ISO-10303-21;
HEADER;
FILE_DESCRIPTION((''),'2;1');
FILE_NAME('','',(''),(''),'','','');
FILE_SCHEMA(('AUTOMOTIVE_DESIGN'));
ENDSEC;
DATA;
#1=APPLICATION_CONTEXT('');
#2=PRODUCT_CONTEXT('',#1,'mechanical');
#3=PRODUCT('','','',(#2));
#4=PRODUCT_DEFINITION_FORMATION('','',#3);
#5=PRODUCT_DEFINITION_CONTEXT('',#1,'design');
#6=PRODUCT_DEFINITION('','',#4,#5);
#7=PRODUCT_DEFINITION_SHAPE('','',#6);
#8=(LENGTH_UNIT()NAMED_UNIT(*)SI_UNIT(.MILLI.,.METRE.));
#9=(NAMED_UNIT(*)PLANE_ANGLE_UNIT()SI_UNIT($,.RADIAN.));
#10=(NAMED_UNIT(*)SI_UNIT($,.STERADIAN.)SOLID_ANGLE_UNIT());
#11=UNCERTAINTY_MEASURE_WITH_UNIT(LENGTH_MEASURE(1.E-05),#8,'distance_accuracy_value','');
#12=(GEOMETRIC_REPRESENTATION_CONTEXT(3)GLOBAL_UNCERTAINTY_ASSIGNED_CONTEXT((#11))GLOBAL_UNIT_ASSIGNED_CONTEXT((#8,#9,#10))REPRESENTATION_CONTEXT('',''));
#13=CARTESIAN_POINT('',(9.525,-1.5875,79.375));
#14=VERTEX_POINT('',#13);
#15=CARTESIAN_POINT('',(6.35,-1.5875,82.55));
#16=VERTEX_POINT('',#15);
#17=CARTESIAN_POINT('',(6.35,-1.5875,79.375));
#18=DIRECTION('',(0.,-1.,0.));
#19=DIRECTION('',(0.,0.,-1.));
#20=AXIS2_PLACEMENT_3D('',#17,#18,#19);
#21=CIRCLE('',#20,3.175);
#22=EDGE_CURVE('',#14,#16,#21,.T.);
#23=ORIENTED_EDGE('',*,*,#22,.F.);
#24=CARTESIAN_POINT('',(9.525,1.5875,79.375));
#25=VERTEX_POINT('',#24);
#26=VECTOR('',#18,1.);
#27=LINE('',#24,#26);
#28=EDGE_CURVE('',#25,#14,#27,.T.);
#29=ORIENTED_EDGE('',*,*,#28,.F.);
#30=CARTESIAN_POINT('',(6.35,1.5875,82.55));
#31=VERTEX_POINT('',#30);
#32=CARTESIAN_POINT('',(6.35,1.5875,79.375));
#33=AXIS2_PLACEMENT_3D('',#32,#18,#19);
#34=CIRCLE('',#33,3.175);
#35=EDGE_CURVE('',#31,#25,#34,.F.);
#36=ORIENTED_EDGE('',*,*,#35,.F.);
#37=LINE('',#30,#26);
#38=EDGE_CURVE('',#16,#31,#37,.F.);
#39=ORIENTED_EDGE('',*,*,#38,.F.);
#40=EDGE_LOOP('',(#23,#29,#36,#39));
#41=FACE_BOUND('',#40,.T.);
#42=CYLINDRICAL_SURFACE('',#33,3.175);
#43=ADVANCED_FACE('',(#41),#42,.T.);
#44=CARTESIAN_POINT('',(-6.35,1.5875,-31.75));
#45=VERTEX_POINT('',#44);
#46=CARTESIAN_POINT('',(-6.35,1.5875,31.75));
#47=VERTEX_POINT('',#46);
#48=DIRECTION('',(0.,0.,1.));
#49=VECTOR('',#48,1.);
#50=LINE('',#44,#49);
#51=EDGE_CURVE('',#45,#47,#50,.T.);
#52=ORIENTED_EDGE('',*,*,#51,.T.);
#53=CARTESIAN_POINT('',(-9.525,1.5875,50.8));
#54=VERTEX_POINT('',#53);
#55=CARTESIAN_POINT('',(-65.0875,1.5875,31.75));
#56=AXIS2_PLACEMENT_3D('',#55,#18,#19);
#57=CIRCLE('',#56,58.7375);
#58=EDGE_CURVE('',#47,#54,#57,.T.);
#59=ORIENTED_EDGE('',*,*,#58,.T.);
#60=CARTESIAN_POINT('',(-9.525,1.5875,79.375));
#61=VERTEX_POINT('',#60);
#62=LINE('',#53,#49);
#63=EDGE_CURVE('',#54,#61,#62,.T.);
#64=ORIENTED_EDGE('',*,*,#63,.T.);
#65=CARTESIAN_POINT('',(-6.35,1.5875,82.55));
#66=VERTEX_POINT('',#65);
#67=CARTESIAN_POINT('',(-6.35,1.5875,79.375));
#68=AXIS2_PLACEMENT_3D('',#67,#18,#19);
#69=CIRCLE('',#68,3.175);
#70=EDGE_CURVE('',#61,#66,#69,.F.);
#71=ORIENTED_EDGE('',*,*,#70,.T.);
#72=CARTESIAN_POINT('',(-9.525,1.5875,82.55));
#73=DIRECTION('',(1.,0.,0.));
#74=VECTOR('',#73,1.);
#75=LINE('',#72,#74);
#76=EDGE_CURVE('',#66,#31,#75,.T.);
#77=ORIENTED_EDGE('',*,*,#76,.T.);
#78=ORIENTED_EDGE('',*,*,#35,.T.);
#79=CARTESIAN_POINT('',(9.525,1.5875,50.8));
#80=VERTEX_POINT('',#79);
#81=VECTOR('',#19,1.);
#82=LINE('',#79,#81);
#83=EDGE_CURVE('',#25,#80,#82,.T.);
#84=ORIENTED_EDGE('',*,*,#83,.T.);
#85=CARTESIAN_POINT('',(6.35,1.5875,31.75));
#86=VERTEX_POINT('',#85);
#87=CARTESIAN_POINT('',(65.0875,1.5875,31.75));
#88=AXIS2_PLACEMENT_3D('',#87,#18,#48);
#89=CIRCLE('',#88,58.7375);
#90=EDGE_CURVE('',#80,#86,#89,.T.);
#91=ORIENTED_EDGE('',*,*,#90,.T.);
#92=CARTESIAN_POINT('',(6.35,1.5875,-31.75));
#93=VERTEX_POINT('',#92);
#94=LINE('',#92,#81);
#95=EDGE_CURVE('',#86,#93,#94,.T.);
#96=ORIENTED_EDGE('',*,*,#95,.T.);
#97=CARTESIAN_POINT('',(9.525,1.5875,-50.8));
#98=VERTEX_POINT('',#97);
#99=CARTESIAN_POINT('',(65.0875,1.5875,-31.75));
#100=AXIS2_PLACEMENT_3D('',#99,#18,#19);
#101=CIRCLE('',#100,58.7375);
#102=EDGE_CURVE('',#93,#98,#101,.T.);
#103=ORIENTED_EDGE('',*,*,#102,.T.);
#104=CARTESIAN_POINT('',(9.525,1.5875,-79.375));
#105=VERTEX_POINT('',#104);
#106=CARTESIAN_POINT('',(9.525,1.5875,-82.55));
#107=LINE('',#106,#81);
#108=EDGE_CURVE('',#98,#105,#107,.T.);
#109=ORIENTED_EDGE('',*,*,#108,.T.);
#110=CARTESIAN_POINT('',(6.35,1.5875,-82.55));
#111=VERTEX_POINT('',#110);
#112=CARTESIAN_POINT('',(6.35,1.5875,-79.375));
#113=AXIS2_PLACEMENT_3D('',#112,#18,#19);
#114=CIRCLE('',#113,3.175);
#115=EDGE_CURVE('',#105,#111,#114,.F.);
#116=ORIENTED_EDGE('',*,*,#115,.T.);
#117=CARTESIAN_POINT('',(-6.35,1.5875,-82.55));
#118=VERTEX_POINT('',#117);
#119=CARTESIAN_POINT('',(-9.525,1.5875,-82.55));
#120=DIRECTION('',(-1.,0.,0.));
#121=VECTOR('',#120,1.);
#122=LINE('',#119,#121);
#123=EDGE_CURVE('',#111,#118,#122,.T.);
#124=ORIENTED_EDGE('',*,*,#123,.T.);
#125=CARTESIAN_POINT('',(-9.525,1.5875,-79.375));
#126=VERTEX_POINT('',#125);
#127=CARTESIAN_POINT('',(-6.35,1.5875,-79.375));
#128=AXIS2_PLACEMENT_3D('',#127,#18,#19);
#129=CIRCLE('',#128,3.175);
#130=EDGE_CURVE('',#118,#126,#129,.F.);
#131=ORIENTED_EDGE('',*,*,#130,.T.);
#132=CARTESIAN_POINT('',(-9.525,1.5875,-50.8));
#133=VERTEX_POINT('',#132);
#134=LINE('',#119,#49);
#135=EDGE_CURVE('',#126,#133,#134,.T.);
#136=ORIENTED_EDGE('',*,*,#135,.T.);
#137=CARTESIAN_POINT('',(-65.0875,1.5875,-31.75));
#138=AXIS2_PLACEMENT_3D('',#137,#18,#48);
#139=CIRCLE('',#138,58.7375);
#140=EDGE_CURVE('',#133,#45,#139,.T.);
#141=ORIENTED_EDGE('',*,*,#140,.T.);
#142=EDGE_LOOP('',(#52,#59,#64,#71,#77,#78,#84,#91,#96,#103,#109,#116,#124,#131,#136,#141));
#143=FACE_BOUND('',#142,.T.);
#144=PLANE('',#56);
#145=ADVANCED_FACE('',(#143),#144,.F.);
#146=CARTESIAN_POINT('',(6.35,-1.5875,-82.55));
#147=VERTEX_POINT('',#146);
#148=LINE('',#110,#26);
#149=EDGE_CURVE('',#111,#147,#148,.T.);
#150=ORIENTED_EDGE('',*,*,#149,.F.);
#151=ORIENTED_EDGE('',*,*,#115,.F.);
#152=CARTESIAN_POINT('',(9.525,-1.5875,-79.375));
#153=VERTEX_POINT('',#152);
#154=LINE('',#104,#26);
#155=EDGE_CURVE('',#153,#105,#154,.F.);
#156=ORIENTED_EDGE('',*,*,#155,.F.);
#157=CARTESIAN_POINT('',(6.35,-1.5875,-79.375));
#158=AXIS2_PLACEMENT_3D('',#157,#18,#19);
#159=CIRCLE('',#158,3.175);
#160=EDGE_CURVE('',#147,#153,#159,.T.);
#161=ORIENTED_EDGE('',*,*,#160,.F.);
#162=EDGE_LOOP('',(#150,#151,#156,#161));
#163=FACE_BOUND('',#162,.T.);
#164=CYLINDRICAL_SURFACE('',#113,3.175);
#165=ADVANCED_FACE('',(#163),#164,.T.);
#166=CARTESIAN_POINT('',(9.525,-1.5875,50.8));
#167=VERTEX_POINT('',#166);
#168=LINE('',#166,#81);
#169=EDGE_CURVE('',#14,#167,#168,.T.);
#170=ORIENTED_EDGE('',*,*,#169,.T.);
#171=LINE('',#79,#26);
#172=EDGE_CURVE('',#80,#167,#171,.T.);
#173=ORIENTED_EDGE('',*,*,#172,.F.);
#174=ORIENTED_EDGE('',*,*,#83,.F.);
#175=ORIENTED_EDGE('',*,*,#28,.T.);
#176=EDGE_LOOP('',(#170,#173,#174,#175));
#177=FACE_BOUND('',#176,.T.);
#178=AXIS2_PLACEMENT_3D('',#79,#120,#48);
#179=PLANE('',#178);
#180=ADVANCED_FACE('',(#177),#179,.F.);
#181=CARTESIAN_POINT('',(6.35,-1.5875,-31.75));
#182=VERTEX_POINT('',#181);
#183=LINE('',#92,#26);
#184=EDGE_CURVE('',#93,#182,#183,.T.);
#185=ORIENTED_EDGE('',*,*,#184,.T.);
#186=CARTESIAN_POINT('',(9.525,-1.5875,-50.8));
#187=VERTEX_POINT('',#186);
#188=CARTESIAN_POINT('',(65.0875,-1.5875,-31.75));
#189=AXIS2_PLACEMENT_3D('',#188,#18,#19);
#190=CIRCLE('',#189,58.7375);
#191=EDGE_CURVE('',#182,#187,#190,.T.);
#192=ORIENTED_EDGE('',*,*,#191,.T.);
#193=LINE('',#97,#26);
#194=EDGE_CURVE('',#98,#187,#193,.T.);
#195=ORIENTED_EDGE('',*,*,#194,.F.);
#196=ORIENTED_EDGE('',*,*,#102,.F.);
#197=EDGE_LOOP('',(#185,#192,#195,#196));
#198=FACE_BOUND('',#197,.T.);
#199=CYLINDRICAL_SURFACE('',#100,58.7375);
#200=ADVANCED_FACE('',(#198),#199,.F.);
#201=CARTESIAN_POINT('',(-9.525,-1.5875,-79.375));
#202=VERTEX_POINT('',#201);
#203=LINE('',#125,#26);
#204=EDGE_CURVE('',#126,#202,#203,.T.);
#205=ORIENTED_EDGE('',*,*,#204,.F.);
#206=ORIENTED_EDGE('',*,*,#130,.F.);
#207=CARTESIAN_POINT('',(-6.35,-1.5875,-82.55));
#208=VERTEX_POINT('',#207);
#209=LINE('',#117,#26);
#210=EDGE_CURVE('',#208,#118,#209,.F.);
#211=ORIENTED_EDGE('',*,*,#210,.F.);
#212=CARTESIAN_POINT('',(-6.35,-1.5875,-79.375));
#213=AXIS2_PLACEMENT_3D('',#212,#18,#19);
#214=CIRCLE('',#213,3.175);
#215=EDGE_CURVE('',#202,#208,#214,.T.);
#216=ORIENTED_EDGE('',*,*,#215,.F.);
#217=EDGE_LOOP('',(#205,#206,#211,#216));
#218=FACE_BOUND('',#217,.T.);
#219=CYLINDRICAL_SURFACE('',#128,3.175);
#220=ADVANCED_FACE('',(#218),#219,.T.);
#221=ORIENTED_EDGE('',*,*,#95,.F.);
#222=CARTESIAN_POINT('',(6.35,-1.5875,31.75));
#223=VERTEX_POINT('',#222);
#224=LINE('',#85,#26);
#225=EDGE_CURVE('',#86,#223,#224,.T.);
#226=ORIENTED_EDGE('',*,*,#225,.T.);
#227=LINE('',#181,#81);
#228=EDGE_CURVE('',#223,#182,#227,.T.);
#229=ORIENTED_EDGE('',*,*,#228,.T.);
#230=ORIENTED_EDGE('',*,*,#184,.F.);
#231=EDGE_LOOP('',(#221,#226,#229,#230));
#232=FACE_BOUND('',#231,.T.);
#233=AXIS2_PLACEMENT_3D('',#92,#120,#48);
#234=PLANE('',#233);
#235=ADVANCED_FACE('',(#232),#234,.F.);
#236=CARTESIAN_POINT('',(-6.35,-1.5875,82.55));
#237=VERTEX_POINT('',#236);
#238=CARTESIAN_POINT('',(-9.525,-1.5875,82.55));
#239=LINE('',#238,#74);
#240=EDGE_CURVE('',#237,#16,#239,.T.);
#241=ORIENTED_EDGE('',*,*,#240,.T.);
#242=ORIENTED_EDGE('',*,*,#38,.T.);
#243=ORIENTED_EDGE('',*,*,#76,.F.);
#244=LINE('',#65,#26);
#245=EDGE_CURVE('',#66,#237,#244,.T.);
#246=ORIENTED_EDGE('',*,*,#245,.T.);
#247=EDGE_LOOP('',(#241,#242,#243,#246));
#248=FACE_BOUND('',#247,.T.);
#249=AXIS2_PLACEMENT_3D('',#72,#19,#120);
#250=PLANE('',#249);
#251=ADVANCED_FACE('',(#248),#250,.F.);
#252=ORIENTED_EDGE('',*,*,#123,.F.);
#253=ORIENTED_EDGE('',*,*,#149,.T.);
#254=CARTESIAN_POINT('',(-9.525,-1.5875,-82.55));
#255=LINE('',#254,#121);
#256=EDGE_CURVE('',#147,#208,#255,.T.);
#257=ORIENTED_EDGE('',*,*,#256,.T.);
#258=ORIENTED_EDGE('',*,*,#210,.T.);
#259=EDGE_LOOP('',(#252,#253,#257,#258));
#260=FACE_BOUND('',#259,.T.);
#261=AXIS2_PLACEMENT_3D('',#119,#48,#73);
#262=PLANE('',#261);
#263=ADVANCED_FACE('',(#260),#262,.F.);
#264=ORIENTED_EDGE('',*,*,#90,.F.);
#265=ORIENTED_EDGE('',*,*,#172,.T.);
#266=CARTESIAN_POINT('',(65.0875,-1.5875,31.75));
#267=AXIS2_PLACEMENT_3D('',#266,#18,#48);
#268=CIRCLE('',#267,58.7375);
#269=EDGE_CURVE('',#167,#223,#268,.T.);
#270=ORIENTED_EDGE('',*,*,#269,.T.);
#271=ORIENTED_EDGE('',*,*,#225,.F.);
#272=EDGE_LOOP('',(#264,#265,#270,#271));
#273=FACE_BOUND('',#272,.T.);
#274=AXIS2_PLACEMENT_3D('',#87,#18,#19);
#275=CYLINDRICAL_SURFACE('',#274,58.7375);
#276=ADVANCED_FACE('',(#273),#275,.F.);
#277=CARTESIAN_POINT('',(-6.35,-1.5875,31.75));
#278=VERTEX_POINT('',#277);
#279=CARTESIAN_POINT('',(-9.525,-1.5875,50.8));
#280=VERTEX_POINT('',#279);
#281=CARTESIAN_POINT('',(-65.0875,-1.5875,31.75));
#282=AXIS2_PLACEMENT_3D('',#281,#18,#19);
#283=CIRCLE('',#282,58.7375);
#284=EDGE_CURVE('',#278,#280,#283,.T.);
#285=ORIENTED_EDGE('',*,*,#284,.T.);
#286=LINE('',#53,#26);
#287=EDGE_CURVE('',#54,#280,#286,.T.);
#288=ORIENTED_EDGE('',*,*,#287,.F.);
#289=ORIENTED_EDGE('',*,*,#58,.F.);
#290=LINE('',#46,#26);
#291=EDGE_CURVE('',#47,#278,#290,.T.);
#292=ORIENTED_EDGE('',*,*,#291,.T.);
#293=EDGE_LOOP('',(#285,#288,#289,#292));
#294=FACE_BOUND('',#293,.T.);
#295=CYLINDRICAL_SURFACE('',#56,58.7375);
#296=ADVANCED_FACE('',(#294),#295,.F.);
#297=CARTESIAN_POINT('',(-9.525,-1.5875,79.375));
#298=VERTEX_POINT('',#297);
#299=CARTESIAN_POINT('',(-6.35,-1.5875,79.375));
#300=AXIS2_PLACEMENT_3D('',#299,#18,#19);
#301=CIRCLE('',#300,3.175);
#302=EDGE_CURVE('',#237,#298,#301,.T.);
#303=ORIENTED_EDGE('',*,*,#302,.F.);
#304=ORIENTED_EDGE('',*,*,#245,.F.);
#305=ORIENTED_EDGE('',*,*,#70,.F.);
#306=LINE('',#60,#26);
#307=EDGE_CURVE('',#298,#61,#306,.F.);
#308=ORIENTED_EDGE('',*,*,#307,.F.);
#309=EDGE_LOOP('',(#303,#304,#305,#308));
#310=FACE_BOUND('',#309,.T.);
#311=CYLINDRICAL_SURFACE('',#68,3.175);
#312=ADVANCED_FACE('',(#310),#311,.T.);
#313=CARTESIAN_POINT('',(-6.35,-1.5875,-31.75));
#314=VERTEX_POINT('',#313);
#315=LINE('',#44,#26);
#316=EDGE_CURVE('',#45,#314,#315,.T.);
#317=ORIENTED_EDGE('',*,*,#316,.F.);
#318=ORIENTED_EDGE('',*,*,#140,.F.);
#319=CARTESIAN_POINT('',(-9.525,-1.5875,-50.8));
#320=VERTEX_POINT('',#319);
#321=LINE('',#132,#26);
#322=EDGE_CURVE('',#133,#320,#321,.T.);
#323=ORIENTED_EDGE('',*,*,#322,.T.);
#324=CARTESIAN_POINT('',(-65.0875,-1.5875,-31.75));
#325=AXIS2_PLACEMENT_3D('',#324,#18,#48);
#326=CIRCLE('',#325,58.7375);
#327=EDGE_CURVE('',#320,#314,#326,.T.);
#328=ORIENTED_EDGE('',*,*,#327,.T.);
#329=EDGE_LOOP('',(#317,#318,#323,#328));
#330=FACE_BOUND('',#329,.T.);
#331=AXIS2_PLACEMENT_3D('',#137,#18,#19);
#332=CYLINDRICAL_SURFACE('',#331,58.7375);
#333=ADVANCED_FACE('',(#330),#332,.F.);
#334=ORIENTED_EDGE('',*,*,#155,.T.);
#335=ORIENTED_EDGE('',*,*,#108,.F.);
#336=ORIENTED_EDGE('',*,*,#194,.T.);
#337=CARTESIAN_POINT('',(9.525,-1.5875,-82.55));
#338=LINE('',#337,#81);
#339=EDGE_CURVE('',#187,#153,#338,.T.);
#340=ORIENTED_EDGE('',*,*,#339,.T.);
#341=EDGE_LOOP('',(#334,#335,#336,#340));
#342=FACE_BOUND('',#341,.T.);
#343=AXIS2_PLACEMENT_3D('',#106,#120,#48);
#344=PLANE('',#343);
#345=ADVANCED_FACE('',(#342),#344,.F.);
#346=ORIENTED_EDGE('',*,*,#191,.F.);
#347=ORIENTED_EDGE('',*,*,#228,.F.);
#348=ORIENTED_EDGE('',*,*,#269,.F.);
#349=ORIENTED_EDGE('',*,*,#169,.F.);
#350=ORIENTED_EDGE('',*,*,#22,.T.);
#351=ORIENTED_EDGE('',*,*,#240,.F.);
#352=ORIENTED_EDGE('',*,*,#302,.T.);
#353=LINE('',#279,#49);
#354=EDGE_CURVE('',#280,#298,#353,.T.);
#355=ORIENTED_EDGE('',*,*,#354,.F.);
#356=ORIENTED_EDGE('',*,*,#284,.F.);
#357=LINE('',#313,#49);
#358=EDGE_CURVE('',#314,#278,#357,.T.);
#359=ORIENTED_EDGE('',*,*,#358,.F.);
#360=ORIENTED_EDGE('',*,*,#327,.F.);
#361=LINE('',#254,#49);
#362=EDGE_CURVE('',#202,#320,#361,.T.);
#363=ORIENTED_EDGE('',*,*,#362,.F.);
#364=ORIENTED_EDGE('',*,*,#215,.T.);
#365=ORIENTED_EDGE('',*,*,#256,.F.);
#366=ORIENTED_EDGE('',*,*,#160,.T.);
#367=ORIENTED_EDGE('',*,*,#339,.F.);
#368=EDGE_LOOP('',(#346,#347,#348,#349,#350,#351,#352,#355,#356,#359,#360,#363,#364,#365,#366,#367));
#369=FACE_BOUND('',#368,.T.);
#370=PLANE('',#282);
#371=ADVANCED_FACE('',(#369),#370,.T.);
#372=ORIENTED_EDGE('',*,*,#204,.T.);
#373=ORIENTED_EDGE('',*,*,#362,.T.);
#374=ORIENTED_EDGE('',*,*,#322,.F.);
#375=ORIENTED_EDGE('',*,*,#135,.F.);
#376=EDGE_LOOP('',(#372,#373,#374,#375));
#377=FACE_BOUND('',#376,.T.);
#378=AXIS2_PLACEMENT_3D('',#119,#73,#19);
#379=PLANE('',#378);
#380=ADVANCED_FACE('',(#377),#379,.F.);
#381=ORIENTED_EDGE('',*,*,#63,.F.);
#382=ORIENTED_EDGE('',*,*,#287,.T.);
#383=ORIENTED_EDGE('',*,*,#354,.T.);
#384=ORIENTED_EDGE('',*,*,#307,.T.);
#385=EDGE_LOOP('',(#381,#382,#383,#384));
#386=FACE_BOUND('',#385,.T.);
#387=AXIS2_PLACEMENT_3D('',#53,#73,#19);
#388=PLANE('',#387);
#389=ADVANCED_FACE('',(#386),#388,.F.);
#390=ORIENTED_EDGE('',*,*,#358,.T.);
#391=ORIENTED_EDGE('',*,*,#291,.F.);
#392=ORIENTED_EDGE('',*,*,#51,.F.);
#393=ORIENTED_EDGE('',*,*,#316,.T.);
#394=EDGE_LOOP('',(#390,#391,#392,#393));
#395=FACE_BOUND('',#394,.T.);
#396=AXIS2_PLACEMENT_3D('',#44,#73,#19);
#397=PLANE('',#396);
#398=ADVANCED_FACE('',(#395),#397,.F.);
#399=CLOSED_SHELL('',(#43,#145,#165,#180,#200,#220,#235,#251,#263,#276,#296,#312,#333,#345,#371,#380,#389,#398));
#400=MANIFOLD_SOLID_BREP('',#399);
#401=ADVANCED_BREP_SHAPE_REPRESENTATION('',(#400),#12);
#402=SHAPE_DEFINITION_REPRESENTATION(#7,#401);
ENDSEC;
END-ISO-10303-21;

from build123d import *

# Parameters (mm, degrees)
BOSS_EXTRUDE1_DEPTH = 1.5875
FILLET1_R           = 3.175


with BuildPart() as part:
    # Sketch1 → Boss-Extrude1 (new body, symmetric)
    with BuildSketch(Plane(origin=(0, 0, 0), x_dir=(1, 0, 0), z_dir=(0, 1, 0))):
        with BuildLine():
            Line((6.35, 31.75), (6.35, -31.75))
            ThreePointArc((6.35, -31.75), (7.149186899, -41.406385517), (9.525, -50.8))
            Line((9.525, -50.8), (9.525, -82.55))
            Line((9.525, -82.55), (-9.525, -82.55))
            Line((-9.525, -82.55), (-9.525, -50.8))
            ThreePointArc((-9.525, -50.8), (-7.149186899, -41.406385517), (-6.35, -31.75))
            Line((-6.35, -31.75), (-6.35, 31.75))
            ThreePointArc((-6.35, 31.75), (-7.149186899, 41.406385517), (-9.525, 50.8))
            Line((-9.525, 50.8), (-9.525, 82.55))
            Line((-9.525, 82.55), (9.525, 82.55))
            Line((9.525, 82.55), (9.525, 50.8))
            ThreePointArc((9.525, 50.8), (7.149186899, 41.406385517), (6.35, 31.75))
        make_face()
    extrude(amount=BOSS_EXTRUDE1_DEPTH, both=True)

    # Fillet1
    fillet1_edges = [part.edges().sort_by_distance(p)[0] for p in [
        (9.525, 0, 82.55),
        (-9.525, 0, 82.55),
        (-9.525, 0, -82.55),
        (9.525, 0, -82.55),
    ]]
    fillet(fillet1_edges, radius=FILLET1_R)


solid = part.part
